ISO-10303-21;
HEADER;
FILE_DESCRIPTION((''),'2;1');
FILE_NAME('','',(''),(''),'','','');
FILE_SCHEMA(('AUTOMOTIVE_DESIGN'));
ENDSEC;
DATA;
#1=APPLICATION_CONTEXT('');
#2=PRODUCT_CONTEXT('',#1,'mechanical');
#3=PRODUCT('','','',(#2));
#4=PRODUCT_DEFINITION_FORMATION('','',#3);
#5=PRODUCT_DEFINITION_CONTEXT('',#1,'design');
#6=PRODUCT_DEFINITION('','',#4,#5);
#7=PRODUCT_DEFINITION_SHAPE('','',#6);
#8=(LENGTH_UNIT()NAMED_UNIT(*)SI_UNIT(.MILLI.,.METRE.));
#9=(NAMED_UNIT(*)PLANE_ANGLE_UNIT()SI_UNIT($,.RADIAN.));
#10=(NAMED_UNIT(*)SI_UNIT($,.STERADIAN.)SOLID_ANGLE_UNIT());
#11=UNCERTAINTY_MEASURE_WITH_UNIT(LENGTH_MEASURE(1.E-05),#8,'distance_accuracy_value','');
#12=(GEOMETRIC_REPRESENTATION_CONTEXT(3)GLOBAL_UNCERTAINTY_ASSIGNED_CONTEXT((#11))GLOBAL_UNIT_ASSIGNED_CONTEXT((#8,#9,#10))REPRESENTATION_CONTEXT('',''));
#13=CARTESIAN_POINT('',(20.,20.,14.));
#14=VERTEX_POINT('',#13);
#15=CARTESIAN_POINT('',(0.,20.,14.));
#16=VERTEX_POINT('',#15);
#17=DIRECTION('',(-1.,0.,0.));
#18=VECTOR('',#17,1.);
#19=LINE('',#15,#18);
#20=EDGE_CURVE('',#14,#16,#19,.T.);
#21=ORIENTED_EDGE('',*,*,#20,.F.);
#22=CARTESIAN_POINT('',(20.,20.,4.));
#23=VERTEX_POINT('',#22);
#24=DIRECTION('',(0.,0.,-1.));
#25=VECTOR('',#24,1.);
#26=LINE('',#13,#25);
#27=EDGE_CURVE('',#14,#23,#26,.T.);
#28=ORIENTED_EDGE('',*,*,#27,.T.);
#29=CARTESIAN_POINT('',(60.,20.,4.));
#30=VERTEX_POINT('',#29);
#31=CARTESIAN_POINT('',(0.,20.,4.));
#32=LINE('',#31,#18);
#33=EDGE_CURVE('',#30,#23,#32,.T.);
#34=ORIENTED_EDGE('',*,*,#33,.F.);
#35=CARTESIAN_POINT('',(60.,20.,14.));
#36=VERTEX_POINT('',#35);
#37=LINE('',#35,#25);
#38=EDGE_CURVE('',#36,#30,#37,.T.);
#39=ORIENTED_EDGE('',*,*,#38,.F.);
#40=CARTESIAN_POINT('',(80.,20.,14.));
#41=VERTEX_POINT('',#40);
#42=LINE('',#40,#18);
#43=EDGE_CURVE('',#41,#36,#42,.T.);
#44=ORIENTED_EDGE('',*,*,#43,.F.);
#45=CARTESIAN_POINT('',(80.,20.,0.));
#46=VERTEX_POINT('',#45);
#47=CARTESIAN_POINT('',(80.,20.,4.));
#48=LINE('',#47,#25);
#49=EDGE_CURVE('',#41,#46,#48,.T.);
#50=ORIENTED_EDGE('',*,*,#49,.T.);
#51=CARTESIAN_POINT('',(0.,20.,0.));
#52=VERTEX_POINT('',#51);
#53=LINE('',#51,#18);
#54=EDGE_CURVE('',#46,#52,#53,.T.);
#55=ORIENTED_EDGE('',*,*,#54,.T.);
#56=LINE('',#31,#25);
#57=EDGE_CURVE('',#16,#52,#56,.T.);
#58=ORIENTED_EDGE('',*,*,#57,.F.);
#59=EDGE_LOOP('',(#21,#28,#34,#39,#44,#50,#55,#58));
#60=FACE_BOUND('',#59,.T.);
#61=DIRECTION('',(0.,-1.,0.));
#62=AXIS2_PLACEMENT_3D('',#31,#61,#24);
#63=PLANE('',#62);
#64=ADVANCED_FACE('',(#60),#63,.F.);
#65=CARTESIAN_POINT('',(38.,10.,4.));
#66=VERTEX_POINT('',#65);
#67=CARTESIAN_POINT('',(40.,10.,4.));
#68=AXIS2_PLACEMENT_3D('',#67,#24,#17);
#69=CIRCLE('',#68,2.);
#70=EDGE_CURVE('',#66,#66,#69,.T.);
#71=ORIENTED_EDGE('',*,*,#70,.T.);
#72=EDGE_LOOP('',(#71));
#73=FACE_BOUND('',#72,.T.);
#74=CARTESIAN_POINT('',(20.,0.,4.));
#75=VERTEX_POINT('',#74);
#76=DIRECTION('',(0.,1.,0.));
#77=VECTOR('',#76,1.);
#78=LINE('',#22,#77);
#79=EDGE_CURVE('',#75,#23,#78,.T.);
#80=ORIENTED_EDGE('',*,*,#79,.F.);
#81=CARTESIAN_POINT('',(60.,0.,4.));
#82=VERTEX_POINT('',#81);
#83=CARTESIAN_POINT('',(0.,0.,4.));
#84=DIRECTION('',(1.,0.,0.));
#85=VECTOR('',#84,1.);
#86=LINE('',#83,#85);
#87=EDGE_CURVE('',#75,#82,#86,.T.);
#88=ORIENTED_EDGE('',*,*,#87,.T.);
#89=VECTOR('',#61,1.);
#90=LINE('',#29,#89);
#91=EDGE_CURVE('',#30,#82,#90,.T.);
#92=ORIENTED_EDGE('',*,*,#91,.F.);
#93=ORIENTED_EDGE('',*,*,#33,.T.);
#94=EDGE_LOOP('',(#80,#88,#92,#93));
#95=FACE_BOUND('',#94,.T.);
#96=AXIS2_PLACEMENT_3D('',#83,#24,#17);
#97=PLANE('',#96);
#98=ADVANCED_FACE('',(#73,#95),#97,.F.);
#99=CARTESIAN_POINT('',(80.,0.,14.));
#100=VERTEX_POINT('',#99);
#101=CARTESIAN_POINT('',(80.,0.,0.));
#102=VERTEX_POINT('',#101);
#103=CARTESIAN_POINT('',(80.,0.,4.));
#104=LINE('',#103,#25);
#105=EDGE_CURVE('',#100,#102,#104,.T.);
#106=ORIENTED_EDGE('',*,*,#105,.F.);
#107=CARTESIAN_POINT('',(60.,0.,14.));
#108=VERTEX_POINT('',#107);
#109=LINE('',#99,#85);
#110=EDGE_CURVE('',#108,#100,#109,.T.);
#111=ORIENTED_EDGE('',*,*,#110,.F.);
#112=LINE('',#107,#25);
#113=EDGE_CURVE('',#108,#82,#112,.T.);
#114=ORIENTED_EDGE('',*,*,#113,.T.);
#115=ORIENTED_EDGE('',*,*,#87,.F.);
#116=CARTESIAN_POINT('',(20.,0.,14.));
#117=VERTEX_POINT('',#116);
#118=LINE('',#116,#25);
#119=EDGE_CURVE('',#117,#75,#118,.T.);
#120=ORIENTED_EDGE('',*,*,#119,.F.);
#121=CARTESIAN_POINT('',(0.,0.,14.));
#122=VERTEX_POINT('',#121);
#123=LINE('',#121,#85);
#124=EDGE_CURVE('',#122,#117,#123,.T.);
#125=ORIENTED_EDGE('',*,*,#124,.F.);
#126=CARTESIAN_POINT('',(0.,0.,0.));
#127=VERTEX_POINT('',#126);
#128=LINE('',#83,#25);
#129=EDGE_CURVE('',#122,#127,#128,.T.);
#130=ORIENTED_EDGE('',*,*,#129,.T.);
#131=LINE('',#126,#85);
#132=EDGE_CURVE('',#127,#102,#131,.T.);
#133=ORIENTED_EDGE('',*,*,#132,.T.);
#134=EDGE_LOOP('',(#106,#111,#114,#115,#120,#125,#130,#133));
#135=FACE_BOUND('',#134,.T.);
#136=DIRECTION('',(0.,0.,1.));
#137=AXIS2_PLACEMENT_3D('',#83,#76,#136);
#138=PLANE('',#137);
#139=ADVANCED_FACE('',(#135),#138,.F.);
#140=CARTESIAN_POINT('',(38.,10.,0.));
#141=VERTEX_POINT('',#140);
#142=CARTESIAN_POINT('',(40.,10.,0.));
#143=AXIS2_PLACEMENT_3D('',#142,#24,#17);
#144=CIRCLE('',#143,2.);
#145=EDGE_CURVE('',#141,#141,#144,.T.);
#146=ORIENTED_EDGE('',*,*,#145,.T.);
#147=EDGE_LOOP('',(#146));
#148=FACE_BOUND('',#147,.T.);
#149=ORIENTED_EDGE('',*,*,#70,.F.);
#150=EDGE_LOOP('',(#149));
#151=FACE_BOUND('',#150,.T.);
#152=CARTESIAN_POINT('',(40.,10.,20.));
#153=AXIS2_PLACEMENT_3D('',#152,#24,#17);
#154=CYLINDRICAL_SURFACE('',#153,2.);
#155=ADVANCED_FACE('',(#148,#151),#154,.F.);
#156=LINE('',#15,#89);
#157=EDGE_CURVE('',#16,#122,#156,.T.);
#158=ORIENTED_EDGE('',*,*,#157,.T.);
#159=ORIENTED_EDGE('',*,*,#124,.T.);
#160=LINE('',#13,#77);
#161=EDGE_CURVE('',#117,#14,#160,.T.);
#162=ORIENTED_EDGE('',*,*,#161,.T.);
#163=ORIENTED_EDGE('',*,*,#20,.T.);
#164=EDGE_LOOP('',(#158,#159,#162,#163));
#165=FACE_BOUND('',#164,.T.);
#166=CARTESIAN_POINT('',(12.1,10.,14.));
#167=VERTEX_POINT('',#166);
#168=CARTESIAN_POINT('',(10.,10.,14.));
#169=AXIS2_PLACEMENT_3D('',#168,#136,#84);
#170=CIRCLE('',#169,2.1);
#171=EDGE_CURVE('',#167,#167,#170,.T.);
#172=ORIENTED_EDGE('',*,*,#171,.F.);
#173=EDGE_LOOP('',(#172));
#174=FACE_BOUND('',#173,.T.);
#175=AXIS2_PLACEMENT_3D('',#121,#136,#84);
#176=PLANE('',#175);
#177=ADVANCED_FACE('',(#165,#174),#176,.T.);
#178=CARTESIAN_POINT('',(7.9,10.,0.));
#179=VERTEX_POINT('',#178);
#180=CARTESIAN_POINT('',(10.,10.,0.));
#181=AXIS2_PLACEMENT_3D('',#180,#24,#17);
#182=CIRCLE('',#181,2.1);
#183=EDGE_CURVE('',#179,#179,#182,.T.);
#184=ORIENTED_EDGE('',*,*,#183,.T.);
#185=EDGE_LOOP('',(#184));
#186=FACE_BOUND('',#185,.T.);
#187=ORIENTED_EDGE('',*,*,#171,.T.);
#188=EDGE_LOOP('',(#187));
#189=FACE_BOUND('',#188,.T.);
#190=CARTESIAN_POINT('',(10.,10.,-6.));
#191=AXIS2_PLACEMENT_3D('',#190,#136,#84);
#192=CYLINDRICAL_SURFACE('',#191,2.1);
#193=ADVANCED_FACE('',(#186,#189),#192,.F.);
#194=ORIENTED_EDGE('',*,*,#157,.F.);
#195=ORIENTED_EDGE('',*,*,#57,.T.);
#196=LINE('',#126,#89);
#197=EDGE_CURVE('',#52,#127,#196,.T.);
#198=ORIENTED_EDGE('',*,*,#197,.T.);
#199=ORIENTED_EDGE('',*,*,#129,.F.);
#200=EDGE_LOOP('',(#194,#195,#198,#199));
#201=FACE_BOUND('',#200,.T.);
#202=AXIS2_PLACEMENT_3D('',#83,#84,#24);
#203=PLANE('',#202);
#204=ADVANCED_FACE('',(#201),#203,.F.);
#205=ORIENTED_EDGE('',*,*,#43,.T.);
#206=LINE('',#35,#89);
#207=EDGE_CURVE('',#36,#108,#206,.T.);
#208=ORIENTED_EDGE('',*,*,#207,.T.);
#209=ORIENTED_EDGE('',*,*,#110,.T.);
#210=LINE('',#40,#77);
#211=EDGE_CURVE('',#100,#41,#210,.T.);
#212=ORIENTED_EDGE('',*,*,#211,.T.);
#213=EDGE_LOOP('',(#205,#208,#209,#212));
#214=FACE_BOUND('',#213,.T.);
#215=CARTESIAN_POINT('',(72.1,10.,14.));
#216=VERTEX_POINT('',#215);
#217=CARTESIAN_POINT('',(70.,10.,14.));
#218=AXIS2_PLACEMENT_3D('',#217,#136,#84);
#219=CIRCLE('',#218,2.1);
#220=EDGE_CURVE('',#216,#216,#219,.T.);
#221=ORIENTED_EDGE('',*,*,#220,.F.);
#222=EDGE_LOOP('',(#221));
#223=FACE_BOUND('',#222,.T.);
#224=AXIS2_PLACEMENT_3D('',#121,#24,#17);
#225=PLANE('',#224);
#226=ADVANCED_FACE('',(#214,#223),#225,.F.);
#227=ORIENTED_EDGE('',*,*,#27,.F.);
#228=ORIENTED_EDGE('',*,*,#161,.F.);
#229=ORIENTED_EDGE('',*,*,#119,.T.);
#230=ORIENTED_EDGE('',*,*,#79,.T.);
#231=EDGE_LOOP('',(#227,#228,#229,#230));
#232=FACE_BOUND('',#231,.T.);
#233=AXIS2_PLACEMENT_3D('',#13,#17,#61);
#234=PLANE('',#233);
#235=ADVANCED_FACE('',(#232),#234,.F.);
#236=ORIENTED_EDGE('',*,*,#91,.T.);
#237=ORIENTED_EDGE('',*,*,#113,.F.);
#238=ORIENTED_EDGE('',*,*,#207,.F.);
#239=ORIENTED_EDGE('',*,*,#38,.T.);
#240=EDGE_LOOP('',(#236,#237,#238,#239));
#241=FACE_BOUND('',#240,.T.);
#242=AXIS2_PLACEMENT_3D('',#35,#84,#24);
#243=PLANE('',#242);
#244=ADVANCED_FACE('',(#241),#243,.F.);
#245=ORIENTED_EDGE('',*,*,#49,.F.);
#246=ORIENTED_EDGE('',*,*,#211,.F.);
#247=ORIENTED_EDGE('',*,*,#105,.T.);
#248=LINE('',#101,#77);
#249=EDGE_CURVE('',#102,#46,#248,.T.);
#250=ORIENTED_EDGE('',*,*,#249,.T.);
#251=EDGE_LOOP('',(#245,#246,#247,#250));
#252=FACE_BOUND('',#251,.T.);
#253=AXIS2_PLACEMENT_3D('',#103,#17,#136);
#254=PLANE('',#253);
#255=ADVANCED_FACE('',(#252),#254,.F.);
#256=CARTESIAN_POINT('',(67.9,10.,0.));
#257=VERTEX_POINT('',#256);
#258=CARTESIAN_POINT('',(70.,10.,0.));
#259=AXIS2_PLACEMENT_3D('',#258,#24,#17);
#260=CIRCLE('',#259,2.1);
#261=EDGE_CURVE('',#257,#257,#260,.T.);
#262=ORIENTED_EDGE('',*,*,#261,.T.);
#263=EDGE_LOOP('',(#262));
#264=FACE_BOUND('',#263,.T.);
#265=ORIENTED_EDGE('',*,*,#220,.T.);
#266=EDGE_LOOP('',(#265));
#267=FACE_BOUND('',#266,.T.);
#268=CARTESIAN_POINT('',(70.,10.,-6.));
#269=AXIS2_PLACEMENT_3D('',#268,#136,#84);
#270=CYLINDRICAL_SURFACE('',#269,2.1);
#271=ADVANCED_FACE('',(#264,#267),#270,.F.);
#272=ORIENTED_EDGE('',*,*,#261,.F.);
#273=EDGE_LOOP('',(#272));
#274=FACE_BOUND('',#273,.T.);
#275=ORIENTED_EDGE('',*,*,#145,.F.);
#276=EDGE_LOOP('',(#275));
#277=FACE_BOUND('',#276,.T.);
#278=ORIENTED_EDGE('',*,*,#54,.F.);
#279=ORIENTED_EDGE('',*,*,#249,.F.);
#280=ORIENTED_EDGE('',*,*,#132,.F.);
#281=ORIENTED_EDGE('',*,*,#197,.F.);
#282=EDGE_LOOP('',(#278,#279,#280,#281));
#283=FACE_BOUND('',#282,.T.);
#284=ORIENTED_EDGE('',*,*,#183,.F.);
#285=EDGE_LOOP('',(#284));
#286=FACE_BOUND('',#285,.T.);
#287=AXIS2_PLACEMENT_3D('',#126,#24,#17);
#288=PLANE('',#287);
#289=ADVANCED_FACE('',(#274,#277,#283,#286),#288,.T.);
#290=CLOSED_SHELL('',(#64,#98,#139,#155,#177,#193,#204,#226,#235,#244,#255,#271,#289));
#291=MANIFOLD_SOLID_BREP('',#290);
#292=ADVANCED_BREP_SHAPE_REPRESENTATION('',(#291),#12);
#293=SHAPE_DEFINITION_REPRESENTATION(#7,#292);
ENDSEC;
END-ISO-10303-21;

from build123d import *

# Parameters (mm, degrees)
SKETCH_1_W          = 80
SKETCH_1_H          = 20
EXTRUDE_1_DEPTH     = 4
SKETCH_2_W          = 20
SKETCH_2_H          = 20
EXTRUDE_2_DEPTH     = 10
SKETCH_3_R          = 2.1
CUT_EXTRUDE_1_DEPTH = 20
SKETCH_4_R          = 2
CUT_EXTRUDE_2_DEPTH = 20


with BuildPart() as part:
    # 草图1 → 凸台-拉伸1 (new body)
    with BuildSketch(Plane.XY):
        with Locations((40, 10)):
            Rectangle(SKETCH_1_W, SKETCH_1_H)
    extrude(amount=EXTRUDE_1_DEPTH)

    # 草图2 → 凸台-拉伸2 (add)
    with BuildSketch(Plane.XY.offset(4)):
        with Locations((10, 10)):
            Rectangle(SKETCH_2_W, SKETCH_2_H)
        with Locations((70, 10)):
            Rectangle(SKETCH_2_W, SKETCH_2_H)
    extrude(amount=EXTRUDE_2_DEPTH)

    # 草图3 → 切除-拉伸1 (cut)
    with BuildSketch(Plane.XY.offset(14)):
        with Locations((10, 10)):
            Circle(SKETCH_3_R)
        with Locations((70, 10)):
            Circle(SKETCH_3_R)
    extrude(amount=-CUT_EXTRUDE_1_DEPTH, mode=Mode.SUBTRACT)

    # 草图4 → 切除-拉伸2 (cut)
    with BuildSketch(Plane(origin=(0, 0, 0), x_dir=(-1, 0, 0), z_dir=(0, 0, -1))):
        with Locations((-40, 10)):
            Circle(SKETCH_4_R)
    extrude(amount=-CUT_EXTRUDE_2_DEPTH, mode=Mode.SUBTRACT)


solid = part.part
